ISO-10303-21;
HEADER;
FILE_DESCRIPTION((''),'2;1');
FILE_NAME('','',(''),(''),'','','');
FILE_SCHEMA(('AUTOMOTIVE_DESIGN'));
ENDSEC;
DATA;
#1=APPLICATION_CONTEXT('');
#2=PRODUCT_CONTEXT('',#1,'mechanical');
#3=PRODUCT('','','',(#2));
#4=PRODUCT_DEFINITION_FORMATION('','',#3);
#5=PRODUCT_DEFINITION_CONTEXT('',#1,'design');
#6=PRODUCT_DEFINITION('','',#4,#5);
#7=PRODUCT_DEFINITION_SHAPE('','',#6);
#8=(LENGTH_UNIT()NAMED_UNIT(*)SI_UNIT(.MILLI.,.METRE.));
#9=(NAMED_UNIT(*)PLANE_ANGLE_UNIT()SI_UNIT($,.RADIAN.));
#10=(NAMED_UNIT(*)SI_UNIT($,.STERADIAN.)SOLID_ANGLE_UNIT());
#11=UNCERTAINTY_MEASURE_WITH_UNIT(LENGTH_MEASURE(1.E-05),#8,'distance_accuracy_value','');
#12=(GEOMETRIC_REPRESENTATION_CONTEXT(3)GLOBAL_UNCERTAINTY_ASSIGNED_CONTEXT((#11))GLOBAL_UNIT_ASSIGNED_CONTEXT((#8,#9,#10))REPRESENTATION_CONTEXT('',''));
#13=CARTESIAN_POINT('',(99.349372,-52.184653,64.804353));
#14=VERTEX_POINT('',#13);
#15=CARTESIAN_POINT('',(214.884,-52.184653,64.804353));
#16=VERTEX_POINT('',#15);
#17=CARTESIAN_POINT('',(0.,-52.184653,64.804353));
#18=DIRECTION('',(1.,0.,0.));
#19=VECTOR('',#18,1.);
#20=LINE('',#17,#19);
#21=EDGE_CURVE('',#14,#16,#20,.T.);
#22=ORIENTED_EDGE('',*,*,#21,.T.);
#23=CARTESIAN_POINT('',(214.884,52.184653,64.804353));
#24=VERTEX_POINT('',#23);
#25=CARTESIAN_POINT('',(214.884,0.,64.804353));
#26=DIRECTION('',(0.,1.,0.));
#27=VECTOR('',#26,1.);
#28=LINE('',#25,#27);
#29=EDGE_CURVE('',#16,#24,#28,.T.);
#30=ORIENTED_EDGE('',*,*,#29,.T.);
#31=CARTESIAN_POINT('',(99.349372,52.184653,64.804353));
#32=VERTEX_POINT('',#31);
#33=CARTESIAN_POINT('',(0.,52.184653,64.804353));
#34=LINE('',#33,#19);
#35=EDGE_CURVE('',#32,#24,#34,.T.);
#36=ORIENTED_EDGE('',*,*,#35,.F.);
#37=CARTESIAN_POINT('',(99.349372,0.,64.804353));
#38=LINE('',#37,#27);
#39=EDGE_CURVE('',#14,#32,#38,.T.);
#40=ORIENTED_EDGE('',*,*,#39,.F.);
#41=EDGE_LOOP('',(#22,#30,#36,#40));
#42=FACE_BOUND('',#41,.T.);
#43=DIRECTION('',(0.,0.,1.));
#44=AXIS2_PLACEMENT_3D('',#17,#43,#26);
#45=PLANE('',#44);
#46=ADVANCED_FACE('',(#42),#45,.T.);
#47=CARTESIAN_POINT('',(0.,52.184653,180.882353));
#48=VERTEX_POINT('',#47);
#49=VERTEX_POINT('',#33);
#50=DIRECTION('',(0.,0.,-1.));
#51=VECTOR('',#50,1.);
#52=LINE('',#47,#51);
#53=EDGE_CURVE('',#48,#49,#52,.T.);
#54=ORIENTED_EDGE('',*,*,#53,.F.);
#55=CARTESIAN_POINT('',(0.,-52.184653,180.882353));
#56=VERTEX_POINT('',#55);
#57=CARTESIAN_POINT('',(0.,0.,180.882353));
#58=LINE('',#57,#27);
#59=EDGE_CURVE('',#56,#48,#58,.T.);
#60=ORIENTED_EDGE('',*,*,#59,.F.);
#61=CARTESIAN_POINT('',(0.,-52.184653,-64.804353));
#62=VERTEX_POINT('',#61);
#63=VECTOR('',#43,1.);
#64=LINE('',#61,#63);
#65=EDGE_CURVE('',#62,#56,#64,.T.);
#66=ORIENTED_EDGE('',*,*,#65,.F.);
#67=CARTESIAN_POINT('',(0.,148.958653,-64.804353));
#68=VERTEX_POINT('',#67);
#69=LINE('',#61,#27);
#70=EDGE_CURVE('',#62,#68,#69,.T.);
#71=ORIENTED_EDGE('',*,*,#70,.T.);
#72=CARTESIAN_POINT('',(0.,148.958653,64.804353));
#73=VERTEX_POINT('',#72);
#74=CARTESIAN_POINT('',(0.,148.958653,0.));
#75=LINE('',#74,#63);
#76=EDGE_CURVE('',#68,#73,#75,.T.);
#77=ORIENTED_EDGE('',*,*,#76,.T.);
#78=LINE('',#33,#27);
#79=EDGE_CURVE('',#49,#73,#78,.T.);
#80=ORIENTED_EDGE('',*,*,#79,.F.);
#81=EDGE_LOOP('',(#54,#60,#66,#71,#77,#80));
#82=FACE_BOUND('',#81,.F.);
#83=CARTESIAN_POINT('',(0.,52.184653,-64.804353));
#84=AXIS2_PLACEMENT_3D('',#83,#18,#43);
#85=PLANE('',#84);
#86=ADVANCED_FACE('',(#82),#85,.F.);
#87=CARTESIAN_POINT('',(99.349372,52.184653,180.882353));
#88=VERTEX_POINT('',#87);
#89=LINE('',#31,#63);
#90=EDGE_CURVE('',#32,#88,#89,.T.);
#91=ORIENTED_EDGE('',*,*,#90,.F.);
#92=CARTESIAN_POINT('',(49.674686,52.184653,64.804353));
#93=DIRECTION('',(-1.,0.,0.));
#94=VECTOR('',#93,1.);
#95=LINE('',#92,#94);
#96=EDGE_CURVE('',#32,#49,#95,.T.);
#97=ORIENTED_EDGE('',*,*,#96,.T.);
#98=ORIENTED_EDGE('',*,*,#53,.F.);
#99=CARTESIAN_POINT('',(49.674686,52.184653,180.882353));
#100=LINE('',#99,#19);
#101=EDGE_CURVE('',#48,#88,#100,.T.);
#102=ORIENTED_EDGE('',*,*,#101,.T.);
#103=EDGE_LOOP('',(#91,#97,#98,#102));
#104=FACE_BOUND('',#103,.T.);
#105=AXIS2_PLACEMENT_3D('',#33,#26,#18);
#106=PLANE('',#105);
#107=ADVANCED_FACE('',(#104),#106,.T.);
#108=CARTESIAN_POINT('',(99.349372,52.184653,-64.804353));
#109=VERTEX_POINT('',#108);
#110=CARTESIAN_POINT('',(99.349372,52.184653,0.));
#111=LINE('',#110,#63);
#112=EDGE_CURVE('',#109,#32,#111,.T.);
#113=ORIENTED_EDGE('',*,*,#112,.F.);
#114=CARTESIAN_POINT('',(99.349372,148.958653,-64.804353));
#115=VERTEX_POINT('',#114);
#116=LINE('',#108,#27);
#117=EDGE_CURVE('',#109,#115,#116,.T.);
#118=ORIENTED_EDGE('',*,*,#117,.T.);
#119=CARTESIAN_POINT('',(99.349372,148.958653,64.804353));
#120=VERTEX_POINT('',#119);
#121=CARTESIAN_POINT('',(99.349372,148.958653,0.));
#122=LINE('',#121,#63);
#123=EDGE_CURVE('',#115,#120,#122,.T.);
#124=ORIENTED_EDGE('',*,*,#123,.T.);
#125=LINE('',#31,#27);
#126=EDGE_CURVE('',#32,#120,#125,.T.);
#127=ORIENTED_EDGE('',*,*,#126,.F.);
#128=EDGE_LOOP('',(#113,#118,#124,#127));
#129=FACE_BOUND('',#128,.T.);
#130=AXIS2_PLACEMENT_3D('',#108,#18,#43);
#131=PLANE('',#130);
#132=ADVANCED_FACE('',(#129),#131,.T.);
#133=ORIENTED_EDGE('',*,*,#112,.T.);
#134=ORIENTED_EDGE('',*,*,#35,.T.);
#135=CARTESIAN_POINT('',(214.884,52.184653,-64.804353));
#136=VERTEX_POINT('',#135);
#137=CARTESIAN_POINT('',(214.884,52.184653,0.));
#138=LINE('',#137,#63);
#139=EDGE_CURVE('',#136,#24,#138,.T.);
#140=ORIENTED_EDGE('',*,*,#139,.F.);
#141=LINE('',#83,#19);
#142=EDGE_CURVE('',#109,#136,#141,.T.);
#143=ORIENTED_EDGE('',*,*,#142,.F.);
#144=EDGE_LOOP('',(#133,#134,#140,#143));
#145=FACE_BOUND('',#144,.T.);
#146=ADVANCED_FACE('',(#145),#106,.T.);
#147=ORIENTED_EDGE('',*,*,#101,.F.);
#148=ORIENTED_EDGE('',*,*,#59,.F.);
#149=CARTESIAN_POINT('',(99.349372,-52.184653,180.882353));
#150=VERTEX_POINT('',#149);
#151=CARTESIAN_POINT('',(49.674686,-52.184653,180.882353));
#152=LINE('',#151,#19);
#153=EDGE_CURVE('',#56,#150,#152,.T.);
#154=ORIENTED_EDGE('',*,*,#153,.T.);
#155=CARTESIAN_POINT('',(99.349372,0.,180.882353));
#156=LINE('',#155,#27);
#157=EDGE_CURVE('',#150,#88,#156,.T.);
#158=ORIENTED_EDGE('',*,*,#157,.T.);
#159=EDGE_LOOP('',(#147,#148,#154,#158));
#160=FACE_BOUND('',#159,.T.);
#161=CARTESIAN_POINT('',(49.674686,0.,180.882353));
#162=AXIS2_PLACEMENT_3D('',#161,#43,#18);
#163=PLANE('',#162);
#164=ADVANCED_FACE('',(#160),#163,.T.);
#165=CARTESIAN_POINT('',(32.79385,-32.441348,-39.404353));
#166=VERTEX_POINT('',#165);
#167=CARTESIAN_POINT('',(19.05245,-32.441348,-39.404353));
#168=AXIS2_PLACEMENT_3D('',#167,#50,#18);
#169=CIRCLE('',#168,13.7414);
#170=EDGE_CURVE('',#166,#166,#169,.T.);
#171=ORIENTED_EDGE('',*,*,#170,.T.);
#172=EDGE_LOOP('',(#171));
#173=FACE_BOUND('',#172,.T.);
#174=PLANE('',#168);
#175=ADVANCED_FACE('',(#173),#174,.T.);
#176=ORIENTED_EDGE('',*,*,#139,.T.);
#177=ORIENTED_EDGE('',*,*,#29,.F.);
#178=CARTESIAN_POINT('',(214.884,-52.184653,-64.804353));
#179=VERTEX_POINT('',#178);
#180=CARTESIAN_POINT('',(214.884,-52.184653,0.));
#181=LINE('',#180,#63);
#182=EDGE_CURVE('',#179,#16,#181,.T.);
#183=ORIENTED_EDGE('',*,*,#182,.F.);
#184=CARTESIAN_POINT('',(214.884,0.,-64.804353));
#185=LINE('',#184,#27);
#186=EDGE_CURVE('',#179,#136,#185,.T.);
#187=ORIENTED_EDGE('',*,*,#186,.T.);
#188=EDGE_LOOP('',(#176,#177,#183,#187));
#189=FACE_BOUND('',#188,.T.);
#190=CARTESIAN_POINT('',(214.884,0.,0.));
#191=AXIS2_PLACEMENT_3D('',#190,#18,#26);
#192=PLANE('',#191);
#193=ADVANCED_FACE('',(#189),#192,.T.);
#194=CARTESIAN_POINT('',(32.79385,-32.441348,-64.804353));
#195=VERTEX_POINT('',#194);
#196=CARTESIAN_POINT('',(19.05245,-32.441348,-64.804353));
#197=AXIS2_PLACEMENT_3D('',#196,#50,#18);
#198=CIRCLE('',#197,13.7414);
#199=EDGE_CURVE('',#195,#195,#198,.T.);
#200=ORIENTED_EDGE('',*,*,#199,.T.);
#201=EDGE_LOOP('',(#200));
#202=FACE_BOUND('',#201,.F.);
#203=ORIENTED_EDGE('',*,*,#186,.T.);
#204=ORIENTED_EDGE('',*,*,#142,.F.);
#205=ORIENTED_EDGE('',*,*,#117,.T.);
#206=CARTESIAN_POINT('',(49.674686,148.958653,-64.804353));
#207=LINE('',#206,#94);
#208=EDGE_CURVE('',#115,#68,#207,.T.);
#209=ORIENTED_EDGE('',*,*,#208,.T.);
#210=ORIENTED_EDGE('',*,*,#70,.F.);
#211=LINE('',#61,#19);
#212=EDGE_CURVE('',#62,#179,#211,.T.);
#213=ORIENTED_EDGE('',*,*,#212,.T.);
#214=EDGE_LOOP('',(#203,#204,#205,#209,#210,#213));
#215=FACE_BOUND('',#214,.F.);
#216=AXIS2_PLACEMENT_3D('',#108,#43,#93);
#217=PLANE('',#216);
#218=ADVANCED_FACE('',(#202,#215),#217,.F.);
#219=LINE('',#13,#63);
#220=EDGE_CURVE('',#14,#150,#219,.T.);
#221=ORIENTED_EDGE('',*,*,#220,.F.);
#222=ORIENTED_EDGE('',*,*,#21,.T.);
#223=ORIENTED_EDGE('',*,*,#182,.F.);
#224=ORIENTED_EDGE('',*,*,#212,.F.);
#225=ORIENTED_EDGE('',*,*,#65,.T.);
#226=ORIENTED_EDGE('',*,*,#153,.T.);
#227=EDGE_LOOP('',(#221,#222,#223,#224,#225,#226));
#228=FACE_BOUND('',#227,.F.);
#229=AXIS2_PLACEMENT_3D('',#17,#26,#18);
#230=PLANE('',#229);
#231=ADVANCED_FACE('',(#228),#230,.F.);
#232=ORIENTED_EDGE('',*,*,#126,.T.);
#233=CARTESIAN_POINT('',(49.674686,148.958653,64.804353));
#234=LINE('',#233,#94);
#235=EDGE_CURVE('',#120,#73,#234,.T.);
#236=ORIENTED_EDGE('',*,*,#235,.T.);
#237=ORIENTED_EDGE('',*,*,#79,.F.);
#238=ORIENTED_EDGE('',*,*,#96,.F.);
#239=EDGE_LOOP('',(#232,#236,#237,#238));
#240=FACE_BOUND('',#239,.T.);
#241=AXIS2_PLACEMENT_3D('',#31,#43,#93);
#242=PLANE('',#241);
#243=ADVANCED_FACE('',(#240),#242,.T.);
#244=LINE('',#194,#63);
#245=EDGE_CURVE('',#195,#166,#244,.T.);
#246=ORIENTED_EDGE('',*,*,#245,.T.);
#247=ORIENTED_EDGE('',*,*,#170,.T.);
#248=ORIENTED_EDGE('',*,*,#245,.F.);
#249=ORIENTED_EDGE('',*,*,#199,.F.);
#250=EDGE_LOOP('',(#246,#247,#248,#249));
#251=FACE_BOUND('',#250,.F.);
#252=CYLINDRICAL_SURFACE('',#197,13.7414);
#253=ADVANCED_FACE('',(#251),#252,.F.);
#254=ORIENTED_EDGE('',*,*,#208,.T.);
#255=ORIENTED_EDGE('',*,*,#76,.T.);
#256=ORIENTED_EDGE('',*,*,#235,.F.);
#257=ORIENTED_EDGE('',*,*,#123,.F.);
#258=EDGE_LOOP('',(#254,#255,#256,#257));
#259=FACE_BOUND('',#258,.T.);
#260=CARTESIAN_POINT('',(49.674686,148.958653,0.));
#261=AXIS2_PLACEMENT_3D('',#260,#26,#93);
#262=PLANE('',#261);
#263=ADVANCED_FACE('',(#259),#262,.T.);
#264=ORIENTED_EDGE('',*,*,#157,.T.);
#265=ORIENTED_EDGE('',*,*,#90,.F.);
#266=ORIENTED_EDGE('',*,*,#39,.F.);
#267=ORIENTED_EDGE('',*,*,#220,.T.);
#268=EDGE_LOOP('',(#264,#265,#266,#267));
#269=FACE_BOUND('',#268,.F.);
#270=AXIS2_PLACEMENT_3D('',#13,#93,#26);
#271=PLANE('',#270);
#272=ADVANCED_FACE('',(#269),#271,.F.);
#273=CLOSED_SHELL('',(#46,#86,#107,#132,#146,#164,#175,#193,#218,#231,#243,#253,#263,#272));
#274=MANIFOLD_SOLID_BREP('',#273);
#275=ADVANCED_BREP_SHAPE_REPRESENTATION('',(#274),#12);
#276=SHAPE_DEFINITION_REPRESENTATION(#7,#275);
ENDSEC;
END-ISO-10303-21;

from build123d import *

# Parameters (mm, degrees)
F0_W     = 104.369306
F0_H     = 129.608706
F1_DEPTH = 214.884
F2_W     = 99.349372
F2_H     = 104.369306
F3_DEPTH = 116.078
F4_W     = 99.349372
F4_H     = 129.608706
F5_DEPTH = 96.774
F6_R     = 13.7414
F7_DEPTH = 25.4


with BuildPart() as f1:
    # F0 (on Right) → F1 (new body)
    with BuildSketch(Plane.YZ):
        Rectangle(F0_W, F0_H)
    extrude(amount=F1_DEPTH)

    # F2 (on face) → F3 (join)
    with BuildSketch(Plane.XY.offset(64.804353)):
        with Locations((49.674686, 0)):
            Rectangle(F2_W, F2_H)
    extrude(amount=F3_DEPTH)

    # F4 (on face) → F5 (join)
    with BuildSketch(Plane(origin=(0, 52.184653, 0), x_dir=(-1, 0, 0), z_dir=(0, 1, 0))):
        with Locations((-49.674686, 0)):
            Rectangle(F4_W, F4_H)
    extrude(amount=F5_DEPTH)

    # F6 (on face) → F7 (cut)
    with BuildSketch(Plane(origin=(0, 0, -64.804353), x_dir=(1, 0, 0), z_dir=(0, 0, -1))):
        with Locations((19.05245, 32.441348)):
            Circle(F6_R)
    extrude(amount=-F7_DEPTH, mode=Mode.SUBTRACT)


solid = f1.part
